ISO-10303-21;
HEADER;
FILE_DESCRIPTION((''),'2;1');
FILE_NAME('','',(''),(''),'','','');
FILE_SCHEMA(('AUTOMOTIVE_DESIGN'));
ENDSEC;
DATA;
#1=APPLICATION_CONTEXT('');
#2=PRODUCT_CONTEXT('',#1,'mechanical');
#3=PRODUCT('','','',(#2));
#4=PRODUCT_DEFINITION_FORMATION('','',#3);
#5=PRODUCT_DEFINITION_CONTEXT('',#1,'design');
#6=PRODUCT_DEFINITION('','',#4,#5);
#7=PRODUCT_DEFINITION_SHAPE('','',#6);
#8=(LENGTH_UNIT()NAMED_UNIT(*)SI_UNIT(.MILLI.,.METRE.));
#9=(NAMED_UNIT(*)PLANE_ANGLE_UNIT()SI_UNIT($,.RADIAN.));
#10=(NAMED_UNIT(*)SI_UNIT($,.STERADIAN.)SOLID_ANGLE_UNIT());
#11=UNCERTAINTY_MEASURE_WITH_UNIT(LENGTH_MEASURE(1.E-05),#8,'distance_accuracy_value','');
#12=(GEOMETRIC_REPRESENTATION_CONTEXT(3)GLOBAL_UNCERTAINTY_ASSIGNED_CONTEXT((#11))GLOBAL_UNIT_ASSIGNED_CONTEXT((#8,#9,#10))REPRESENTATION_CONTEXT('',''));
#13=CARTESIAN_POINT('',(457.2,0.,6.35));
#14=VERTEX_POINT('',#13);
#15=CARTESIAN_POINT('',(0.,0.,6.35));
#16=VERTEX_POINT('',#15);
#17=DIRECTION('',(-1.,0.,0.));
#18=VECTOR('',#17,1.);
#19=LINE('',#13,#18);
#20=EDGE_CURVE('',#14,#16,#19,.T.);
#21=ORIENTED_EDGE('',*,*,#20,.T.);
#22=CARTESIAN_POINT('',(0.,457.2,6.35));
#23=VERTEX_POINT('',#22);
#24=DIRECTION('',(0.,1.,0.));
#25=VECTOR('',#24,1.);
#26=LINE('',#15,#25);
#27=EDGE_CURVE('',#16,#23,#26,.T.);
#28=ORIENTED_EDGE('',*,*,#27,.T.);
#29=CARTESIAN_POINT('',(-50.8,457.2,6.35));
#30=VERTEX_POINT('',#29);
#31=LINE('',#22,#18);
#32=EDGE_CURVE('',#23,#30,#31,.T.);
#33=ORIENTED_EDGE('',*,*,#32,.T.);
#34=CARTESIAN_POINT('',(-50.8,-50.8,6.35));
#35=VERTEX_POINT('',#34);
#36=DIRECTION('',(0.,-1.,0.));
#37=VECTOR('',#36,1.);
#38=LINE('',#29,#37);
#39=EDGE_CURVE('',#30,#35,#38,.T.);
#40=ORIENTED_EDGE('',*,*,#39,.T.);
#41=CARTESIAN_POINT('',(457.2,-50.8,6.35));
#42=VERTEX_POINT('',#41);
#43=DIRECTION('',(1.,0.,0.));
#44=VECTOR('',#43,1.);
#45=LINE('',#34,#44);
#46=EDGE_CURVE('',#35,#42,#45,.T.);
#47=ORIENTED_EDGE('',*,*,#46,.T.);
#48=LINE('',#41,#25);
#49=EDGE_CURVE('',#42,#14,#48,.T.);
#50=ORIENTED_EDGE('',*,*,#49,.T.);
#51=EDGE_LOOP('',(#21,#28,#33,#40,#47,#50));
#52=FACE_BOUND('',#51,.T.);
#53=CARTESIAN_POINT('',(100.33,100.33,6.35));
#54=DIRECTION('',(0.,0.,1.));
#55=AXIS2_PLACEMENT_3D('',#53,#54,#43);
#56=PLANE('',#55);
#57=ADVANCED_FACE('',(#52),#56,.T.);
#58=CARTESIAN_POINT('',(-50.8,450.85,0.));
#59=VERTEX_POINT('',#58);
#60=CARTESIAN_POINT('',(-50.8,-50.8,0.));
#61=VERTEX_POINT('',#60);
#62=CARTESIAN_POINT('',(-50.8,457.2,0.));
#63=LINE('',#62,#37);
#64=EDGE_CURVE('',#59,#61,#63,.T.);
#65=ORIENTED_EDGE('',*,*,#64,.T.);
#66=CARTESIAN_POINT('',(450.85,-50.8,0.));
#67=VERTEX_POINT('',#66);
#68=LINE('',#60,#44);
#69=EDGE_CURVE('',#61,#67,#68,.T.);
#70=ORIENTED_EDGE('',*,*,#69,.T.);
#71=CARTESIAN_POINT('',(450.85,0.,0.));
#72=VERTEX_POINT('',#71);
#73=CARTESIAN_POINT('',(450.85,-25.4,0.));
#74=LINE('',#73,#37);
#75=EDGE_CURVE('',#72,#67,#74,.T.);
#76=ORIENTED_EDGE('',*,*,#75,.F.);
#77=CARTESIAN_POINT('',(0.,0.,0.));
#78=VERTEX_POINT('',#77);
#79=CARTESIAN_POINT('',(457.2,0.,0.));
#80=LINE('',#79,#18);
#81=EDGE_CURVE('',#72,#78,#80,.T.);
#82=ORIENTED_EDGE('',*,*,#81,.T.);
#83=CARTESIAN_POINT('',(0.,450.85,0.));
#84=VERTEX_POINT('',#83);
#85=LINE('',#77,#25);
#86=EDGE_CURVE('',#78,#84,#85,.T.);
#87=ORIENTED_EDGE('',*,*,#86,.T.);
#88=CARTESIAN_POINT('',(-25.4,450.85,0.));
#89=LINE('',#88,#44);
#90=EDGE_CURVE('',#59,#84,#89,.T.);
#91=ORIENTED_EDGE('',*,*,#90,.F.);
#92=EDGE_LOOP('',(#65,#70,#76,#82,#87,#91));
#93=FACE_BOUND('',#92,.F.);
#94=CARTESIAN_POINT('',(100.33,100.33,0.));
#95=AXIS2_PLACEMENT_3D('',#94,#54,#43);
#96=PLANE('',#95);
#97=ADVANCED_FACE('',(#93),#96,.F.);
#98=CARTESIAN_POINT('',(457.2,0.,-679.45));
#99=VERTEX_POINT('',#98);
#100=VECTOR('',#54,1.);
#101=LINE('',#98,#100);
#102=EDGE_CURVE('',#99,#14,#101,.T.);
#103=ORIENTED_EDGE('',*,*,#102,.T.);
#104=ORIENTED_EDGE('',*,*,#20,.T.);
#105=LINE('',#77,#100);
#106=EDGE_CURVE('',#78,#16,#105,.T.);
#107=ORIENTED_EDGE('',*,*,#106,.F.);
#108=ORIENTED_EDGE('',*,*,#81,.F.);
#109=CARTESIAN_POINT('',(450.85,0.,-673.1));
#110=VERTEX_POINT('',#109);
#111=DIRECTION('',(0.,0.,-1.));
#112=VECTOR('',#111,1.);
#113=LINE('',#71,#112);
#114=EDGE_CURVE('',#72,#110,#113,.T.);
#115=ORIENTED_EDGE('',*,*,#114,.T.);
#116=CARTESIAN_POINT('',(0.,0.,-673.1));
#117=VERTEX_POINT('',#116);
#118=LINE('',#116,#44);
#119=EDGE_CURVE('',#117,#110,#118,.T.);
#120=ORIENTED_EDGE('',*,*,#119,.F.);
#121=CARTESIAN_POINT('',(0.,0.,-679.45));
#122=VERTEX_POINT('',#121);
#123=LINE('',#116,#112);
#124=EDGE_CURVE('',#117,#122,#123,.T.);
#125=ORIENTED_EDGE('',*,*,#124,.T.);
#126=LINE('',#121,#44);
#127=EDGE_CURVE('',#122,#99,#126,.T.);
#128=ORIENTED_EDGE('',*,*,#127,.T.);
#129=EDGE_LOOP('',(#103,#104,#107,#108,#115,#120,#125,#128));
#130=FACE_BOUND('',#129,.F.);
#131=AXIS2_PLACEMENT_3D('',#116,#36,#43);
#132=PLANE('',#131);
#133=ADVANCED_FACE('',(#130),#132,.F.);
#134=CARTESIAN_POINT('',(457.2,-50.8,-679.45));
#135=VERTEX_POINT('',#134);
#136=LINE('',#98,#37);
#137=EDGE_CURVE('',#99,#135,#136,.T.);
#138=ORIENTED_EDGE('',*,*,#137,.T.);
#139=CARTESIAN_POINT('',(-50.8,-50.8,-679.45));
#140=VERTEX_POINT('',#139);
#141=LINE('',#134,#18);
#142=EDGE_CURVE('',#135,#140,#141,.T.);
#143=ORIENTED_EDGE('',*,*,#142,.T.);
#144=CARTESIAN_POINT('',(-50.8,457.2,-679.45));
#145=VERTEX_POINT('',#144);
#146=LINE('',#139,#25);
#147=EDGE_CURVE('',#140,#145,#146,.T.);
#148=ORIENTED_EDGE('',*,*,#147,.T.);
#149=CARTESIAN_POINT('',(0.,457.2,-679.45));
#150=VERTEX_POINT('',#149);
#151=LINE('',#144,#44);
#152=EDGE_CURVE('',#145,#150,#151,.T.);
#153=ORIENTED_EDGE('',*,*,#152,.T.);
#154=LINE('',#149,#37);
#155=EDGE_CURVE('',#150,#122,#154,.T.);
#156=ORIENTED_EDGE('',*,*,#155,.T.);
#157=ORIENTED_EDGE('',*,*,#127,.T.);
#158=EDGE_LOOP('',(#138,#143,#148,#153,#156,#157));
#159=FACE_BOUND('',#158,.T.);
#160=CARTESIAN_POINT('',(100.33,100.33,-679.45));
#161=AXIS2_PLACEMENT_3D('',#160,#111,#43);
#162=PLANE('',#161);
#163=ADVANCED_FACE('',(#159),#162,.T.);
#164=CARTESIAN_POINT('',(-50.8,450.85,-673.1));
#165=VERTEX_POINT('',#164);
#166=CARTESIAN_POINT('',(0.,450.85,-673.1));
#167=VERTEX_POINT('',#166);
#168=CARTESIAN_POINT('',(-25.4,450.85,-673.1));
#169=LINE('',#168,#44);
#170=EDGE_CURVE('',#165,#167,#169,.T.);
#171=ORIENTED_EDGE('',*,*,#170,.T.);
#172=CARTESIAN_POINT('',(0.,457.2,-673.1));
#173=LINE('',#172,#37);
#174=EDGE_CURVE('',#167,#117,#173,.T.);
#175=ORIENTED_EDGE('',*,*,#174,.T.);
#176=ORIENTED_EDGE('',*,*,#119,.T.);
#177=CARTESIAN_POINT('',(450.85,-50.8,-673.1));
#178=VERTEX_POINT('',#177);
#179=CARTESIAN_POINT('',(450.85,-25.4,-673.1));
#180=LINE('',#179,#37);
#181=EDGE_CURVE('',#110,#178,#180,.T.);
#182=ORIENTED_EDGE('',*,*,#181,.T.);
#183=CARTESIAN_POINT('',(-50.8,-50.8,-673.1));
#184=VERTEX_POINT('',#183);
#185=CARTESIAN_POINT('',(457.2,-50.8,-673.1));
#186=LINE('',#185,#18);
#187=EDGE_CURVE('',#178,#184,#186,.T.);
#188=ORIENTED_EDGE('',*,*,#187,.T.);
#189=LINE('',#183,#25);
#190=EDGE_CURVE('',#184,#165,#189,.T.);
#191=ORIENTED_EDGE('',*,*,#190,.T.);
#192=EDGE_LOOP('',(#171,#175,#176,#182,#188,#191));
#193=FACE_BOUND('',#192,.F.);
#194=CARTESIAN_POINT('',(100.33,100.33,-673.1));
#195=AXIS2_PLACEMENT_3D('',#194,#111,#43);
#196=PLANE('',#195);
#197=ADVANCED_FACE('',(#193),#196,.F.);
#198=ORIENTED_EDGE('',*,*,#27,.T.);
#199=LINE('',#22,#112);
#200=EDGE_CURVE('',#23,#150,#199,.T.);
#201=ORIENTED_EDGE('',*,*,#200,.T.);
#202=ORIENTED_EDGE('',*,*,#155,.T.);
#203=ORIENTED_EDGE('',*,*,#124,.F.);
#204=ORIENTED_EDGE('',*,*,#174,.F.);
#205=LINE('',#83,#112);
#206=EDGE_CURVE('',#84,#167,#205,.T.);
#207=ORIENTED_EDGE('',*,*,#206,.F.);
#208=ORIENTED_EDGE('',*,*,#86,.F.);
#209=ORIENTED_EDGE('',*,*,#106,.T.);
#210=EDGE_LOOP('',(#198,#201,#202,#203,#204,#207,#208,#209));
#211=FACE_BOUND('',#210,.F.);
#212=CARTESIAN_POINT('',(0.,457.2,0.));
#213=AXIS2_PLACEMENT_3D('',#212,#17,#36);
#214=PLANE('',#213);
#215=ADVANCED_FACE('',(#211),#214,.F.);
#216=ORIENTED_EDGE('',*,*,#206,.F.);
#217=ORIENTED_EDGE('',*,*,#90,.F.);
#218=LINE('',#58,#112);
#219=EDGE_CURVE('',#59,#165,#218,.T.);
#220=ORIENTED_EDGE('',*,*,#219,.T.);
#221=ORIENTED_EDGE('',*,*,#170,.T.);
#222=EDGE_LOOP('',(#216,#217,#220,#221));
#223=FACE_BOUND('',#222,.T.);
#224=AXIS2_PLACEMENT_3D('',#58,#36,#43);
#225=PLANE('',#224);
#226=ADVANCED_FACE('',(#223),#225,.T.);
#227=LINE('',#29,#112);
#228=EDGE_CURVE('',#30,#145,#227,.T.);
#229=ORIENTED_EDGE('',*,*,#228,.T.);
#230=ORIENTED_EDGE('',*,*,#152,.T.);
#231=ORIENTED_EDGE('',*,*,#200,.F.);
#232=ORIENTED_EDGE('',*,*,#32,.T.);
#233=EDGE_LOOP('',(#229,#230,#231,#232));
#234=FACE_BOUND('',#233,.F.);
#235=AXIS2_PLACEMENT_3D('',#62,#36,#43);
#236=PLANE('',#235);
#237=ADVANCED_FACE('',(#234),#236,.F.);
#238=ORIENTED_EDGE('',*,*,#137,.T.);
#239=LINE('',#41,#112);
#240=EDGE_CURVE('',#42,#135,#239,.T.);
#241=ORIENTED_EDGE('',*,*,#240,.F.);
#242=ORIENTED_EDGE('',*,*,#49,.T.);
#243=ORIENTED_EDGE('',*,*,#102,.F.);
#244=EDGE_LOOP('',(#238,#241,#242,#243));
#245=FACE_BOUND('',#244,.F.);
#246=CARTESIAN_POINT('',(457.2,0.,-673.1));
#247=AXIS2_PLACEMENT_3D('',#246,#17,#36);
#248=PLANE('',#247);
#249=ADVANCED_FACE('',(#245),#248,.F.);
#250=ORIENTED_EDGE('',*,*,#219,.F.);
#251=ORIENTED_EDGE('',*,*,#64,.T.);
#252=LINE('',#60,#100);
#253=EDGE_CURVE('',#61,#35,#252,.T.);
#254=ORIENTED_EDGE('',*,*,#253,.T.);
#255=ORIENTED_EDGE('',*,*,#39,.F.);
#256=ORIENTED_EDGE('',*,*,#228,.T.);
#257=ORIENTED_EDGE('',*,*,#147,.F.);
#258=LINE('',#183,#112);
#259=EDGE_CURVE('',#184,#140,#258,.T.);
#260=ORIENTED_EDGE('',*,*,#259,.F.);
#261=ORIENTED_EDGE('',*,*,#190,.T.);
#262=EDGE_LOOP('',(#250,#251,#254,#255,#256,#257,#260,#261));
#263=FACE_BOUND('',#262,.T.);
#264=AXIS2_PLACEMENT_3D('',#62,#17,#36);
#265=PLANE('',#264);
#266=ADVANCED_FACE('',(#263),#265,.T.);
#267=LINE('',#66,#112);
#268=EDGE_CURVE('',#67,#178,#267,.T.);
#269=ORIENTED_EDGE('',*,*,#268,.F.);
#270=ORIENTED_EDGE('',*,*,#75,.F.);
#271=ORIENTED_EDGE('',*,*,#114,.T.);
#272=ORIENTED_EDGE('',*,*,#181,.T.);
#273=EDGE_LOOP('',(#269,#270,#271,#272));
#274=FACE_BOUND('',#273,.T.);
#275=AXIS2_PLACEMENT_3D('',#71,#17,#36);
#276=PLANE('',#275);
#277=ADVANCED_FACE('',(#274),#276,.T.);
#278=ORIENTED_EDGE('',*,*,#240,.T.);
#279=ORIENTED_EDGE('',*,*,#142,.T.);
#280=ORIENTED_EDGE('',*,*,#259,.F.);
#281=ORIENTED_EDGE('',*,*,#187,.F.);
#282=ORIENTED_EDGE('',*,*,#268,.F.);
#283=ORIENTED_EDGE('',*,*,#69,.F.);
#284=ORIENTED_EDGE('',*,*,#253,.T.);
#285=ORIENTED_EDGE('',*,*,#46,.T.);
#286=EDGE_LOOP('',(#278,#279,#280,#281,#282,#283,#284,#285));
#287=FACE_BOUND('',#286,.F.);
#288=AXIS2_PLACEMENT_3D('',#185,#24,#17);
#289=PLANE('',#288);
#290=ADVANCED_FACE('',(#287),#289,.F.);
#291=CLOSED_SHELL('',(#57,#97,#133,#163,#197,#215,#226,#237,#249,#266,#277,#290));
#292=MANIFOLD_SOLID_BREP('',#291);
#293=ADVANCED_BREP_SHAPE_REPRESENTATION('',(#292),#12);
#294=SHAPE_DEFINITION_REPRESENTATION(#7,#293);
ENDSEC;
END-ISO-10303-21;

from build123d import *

# Parameters (mm, degrees)
F1_DEPTH = 6.35
F2_W     = 6.35
F2_H     = 50.8
F3_DEPTH = 673.1
F5_DEPTH = 6.35
F6_W     = 50.8
F6_H     = 6.35
F7_DEPTH = 673.1


with BuildPart() as f1:
    # F0 (on Top) → F1 (new body)
    with BuildSketch(Plane.XY):
        Polygon((457.2, 0), (0, 0), (0, 457.2), (-50.8, 457.2), (-50.8, -50.8), (457.2, -50.8), align=None)
    extrude(amount=F1_DEPTH)

    # F2 (on face) → F3 (join)
    with BuildSketch(Plane(origin=(0, 0, 0), x_dir=(1, 0, 0), z_dir=(0, 0, -1))):
        with Locations((454.025, 25.4)):
            Rectangle(F2_W, F2_H)
    extrude(amount=F3_DEPTH)

    # F4 (on face) → F5 (join)
    with BuildSketch(Plane(origin=(0, 0, -673.1), x_dir=(1, 0, 0), z_dir=(0, 0, -1))):
        Polygon((457.2, 0), (457.2, 50.8), (-50.8, 50.8), (-50.8, -457.2), (0, -457.2), (0, 0), align=None)
    extrude(amount=F5_DEPTH)

    # F6 (on face) → F7 (join, through all)
    with BuildSketch(Plane(origin=(0, 0, 0), x_dir=(1, 0, 0), z_dir=(0, 0, -1))):
        with Locations((-25.4, -454.025)):
            Rectangle(F6_W, F6_H)
    extrude(amount=F7_DEPTH)


solid = f1.part
